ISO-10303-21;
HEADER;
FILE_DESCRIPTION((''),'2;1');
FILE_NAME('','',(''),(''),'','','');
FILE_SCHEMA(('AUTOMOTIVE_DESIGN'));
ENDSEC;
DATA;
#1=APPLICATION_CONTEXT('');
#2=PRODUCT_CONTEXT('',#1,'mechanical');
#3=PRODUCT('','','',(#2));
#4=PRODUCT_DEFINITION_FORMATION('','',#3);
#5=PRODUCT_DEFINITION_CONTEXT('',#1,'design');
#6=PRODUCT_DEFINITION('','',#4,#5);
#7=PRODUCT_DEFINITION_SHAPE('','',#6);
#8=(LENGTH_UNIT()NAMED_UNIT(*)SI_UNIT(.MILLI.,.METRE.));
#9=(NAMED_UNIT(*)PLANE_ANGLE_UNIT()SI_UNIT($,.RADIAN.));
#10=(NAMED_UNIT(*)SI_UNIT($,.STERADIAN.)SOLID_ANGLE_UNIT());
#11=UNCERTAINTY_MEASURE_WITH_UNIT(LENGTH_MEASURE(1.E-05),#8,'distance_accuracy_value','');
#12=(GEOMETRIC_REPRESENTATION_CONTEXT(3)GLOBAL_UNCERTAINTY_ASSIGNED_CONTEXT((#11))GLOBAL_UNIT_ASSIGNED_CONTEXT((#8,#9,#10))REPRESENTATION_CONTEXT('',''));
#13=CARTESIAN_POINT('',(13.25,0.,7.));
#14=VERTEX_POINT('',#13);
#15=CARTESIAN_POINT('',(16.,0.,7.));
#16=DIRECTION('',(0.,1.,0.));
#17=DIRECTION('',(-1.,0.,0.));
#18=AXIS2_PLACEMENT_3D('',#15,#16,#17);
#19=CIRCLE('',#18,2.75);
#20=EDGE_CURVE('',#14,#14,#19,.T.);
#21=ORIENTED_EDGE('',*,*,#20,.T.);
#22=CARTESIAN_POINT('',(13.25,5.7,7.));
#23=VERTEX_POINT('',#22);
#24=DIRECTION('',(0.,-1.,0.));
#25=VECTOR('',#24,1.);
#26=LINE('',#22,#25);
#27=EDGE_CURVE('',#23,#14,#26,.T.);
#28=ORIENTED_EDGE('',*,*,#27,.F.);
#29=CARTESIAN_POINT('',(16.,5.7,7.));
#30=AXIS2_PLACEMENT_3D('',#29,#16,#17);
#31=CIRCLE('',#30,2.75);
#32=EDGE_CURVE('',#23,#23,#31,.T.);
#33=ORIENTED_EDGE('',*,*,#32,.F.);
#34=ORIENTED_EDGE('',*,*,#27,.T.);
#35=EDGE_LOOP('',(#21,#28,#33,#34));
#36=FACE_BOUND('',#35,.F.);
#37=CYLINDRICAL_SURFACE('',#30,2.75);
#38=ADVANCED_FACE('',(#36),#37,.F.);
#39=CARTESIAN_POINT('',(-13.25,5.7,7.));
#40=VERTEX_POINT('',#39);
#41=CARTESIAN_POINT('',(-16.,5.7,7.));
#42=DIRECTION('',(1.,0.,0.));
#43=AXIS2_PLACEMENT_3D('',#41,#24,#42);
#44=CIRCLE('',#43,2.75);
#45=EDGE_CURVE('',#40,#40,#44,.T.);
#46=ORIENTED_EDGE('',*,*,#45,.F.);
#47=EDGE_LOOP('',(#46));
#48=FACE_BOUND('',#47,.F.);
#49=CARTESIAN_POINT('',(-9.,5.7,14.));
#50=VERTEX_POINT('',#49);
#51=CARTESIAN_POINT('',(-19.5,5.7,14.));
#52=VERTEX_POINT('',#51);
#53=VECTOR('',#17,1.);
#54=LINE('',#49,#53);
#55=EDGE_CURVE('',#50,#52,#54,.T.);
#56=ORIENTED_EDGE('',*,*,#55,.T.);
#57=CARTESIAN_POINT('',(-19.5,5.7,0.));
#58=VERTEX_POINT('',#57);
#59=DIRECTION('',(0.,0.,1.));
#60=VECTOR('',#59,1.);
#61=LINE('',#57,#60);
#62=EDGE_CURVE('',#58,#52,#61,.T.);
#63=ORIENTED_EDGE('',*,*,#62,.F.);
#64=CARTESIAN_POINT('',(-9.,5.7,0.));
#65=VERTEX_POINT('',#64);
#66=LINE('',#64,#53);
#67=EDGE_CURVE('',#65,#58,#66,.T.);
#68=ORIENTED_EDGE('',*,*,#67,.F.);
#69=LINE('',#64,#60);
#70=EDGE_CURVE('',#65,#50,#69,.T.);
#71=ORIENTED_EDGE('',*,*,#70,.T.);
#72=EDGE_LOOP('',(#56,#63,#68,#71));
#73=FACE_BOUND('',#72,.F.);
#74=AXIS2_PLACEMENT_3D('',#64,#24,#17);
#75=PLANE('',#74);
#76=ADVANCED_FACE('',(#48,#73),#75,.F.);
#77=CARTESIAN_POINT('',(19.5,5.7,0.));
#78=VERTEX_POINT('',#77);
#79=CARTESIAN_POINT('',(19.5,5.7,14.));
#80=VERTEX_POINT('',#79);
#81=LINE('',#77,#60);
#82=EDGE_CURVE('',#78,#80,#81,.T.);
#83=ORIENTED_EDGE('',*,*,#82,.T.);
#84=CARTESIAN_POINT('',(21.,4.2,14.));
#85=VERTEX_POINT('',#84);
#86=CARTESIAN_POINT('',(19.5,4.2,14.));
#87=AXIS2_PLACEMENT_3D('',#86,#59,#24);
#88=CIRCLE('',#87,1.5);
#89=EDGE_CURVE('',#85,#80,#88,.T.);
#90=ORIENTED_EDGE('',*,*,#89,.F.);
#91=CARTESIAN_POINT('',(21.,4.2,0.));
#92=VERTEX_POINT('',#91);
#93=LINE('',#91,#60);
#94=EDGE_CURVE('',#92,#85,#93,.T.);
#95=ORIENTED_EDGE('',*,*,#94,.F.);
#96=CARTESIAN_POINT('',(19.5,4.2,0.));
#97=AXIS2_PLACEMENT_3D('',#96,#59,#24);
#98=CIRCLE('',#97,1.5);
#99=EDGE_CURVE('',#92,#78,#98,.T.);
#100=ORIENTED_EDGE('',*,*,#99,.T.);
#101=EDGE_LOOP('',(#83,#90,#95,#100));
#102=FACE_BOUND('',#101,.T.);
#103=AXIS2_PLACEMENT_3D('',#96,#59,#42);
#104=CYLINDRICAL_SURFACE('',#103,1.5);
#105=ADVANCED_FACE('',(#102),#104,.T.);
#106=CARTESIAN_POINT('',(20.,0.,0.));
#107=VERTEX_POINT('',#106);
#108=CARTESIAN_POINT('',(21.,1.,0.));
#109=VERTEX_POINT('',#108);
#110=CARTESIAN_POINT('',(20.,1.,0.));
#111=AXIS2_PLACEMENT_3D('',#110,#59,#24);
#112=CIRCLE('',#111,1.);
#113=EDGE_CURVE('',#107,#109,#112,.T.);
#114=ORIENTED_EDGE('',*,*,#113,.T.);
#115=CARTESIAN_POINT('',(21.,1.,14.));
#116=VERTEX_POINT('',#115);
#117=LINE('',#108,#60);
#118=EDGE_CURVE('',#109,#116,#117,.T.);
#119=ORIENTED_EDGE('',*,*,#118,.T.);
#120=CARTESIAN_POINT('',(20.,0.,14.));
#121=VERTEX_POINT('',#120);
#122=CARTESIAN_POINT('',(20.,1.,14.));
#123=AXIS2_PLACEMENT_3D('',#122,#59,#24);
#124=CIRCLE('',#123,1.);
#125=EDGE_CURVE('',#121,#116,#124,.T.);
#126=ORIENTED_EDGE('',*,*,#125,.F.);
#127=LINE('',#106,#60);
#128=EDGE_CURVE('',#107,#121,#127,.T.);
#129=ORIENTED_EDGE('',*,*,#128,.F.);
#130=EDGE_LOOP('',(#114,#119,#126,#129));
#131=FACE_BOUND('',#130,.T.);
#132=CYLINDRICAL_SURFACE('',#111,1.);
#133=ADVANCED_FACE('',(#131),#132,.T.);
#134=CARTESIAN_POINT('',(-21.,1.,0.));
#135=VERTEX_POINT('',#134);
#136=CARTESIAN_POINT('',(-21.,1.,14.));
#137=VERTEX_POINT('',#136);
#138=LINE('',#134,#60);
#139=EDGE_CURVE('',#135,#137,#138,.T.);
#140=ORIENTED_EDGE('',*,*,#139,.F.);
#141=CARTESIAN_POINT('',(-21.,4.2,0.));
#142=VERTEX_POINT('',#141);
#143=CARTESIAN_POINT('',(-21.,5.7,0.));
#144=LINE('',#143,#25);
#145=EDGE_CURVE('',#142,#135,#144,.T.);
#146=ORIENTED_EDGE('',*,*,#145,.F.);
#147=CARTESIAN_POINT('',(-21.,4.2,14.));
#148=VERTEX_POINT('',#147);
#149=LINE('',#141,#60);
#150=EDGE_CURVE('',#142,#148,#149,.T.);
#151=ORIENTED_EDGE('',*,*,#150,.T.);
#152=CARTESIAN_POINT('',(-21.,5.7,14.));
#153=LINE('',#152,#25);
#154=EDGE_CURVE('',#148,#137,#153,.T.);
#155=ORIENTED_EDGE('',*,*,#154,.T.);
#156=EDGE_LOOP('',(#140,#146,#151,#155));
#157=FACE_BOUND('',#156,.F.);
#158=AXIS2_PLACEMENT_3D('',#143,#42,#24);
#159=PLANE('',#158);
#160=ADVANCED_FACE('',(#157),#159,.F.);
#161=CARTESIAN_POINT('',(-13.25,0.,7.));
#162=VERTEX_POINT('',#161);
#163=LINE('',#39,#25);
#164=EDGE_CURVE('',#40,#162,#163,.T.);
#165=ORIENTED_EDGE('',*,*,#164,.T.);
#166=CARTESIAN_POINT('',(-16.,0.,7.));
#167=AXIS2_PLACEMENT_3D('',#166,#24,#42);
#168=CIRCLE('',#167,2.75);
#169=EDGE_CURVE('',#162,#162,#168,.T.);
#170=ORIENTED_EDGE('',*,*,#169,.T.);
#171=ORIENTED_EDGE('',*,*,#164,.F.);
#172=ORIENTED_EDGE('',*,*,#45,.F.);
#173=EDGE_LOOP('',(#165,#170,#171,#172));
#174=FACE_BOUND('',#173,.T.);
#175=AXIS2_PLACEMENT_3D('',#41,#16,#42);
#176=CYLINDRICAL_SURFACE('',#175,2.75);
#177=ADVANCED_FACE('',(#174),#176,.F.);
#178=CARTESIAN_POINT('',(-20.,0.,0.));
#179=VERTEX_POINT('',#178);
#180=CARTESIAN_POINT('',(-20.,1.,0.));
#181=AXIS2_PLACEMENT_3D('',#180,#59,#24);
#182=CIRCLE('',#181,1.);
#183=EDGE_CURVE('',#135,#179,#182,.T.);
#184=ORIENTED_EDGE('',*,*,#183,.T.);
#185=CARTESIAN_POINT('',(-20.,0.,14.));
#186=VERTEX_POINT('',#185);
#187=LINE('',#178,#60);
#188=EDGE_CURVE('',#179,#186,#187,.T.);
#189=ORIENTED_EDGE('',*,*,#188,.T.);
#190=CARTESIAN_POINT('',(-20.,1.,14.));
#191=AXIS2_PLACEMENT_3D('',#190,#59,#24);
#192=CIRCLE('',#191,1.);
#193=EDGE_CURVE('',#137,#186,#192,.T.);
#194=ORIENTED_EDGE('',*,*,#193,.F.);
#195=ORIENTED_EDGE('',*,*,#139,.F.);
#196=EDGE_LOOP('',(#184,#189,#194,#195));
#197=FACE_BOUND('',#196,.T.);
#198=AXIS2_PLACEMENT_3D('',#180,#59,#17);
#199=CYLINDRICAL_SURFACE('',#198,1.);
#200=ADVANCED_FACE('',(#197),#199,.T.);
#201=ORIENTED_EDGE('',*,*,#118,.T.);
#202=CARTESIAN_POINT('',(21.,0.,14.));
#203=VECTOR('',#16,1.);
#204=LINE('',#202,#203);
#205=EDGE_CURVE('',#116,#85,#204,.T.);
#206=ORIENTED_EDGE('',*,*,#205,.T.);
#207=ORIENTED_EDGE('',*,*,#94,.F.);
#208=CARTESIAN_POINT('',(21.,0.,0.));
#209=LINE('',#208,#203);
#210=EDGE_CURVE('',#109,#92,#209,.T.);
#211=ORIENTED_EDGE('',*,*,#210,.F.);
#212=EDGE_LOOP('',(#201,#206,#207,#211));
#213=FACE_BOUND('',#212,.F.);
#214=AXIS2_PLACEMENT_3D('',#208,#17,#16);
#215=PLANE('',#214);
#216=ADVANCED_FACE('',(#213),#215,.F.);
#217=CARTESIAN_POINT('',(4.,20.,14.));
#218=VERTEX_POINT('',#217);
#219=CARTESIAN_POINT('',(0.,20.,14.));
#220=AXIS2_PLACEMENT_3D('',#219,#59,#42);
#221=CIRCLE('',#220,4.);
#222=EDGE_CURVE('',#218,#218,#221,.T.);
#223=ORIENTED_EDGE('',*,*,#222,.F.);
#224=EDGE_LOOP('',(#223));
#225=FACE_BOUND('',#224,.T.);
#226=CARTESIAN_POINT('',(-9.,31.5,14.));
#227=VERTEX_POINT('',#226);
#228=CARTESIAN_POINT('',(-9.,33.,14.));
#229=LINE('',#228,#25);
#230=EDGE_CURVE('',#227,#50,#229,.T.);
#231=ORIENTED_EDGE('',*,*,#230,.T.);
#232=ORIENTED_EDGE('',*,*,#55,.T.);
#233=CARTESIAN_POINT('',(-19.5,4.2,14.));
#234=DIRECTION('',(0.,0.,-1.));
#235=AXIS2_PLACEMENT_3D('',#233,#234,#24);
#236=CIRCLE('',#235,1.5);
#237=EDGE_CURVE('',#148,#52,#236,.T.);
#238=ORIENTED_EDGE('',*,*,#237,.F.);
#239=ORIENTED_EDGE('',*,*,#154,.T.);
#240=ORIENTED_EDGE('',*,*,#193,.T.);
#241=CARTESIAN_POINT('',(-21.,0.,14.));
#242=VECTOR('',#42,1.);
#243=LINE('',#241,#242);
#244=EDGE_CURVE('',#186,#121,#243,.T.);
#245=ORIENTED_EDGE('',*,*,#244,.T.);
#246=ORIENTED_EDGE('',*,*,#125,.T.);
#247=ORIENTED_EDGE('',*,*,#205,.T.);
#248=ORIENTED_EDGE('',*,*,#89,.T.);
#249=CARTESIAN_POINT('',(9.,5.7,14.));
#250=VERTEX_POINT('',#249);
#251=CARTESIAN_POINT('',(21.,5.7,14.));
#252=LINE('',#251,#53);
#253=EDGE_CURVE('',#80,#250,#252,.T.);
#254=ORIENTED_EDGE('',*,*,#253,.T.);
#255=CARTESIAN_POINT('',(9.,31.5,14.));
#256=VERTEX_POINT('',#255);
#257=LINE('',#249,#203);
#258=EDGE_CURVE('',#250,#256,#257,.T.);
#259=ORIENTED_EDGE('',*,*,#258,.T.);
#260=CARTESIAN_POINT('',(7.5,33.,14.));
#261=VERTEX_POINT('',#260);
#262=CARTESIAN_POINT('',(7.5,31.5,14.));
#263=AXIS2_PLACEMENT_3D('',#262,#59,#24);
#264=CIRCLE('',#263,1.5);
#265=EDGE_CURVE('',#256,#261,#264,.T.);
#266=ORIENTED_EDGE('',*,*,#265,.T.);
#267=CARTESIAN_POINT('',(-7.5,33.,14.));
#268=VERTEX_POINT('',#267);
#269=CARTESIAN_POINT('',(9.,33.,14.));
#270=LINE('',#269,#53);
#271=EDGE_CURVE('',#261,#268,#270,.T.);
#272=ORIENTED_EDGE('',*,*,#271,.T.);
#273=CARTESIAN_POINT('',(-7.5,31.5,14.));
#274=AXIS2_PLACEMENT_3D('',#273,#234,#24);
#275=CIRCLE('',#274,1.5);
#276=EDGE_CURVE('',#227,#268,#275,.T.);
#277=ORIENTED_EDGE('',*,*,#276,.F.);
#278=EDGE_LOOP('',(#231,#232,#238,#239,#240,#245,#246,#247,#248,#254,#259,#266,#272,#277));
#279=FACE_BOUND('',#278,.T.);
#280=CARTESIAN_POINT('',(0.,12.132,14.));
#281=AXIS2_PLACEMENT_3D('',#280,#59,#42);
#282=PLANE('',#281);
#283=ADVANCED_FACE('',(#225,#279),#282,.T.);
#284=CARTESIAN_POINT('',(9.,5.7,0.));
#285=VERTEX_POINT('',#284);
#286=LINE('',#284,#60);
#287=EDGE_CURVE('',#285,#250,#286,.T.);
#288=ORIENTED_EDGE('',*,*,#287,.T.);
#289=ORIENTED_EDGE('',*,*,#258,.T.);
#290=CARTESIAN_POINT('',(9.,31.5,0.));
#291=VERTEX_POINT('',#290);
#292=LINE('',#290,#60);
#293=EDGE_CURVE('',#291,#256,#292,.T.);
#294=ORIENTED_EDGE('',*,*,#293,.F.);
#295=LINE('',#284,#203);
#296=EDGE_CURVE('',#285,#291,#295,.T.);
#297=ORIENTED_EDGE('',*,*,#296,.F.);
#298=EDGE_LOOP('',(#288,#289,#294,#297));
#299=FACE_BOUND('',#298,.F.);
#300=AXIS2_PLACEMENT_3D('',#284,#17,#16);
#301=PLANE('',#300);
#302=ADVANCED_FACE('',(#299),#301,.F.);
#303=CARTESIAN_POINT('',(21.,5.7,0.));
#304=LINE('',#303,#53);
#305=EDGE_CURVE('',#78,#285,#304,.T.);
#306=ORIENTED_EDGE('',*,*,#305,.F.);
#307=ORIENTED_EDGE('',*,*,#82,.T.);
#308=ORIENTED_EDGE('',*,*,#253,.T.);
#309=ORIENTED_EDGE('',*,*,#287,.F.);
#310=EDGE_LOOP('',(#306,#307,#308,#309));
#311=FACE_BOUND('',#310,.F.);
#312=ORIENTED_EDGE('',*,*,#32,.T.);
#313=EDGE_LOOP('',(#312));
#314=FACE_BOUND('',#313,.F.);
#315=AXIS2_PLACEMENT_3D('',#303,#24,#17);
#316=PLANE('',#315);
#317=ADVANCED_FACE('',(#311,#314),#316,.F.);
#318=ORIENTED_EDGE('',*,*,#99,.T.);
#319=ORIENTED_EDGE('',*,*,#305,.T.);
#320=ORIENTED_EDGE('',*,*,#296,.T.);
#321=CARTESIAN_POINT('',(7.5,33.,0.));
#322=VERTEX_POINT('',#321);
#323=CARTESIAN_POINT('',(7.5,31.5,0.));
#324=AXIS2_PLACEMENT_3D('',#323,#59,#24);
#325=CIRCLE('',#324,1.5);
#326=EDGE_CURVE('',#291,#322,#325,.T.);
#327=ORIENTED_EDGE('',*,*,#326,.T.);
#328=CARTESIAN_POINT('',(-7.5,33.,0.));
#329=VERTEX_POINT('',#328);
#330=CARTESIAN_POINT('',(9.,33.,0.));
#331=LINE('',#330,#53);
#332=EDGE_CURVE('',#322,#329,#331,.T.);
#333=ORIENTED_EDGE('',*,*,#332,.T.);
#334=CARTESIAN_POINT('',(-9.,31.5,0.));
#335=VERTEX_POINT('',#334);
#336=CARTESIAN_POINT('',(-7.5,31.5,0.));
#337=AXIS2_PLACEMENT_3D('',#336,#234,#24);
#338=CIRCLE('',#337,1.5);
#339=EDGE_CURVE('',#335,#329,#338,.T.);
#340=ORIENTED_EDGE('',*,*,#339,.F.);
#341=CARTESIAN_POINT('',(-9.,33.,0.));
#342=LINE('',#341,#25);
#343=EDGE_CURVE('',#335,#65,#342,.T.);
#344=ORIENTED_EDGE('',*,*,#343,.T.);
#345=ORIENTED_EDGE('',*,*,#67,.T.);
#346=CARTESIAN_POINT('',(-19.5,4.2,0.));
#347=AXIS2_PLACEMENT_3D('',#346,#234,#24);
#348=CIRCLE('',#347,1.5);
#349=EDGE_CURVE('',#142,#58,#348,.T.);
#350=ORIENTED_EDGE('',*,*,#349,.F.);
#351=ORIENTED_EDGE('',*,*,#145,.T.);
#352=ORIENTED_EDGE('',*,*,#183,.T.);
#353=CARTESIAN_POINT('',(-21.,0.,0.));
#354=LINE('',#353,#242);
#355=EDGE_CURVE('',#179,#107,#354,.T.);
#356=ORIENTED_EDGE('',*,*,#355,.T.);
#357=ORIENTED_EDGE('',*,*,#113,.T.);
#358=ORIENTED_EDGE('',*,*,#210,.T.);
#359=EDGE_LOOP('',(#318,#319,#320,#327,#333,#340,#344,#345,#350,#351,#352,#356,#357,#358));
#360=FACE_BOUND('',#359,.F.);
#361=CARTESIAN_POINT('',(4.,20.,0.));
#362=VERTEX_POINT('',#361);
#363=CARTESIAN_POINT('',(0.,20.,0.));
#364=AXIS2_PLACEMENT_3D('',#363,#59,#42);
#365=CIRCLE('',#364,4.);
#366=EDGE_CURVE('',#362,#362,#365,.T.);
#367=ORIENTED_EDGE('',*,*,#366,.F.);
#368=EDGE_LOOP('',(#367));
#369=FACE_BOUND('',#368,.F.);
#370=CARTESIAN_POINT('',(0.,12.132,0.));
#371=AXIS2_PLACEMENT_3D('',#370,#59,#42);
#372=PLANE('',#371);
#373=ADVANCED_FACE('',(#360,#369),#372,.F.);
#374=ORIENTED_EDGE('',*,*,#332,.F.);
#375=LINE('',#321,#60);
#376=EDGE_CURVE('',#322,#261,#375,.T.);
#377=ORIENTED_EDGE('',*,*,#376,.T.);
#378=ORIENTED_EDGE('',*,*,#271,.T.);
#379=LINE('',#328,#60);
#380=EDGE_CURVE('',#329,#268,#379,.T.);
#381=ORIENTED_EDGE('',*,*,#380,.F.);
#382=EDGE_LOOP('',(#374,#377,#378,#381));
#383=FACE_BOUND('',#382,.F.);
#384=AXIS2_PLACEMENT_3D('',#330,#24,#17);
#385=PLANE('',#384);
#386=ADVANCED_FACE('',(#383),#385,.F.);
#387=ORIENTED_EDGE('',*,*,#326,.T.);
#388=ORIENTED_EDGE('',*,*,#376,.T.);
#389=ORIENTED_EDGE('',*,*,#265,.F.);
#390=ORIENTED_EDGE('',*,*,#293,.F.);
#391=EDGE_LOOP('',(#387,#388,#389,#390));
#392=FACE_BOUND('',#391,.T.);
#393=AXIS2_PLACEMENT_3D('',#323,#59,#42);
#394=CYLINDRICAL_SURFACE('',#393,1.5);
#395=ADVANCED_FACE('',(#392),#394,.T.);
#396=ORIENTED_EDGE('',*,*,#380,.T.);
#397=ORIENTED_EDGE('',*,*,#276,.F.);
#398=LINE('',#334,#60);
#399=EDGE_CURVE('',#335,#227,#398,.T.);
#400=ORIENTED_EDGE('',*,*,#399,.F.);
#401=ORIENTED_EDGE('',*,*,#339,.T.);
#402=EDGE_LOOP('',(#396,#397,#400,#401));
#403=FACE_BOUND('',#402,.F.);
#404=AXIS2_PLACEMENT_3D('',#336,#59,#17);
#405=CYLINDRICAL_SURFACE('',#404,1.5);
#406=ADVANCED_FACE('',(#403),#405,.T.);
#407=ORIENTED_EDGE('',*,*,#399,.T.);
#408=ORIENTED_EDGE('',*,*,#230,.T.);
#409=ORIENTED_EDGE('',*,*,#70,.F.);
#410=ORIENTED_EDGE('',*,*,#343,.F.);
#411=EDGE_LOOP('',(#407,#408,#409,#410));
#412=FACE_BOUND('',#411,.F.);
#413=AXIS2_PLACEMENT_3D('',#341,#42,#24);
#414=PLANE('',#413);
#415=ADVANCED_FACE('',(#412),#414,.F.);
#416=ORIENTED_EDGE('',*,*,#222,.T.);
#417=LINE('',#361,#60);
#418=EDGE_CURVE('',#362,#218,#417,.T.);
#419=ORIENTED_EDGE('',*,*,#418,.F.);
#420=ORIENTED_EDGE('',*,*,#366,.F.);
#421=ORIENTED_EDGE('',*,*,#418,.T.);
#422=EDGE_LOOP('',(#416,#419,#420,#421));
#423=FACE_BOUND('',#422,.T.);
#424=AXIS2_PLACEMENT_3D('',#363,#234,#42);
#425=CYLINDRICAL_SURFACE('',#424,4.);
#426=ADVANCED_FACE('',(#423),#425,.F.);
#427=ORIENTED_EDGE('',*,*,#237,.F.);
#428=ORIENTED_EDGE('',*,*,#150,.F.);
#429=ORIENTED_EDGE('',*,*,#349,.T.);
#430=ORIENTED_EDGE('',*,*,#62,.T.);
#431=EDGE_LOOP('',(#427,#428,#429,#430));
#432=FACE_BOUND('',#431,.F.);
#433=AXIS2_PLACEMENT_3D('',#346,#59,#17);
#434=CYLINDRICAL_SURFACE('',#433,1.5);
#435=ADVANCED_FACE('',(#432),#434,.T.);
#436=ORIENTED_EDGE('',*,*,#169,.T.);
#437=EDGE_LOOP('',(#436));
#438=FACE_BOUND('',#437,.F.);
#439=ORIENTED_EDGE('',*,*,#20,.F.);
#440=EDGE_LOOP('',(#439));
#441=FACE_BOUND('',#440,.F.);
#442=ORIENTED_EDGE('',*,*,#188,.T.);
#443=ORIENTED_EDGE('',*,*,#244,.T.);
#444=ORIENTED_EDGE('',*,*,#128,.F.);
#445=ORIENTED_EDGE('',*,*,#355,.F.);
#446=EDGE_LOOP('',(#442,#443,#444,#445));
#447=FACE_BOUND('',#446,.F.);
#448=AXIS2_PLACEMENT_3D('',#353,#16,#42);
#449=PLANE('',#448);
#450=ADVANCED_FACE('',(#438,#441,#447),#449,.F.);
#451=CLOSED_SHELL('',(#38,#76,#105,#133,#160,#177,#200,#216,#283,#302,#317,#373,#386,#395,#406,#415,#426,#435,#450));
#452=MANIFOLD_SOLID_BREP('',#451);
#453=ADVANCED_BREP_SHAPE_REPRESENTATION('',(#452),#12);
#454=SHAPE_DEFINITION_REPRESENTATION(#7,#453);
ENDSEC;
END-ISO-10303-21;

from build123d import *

# Parameters (mm, degrees)
SKETCH_R     = 4
PAD_DEPTH    = 14
SKETCH001_R  = 2.75
POCKET_DEPTH = 5.7
FILLET_R     = 1.5
FILLET001_R  = 1


with BuildPart() as part:
    # Sketch → Pad (new body)
    with BuildSketch(Plane.XY):
        Polygon((-21, 0), (21, 0), (21, 5.7), (9, 5.7), (9, 33), (-9, 33), (-9, 5.7), (-21, 5.7), align=None)
        with Locations((0, 20)):
            Circle(SKETCH_R, mode=Mode.SUBTRACT)
    extrude(amount=PAD_DEPTH)

    # Sketch001 (on Face3 of Pad) → Pocket (cut)
    with BuildSketch(Plane(origin=(0, 5.7, 0), x_dir=(-1, 0, 0), z_dir=(0, 1, 0))):
        with Locations((-16, 7)):
            Circle(SKETCH001_R)
    pocket = extrude(amount=-POCKET_DEPTH, mode=Mode.SUBTRACT)

    # Mirrored: Pocket across Sketch001 V_Axis
    add(pocket.mirror(Plane(origin=(0, 5.7, 0), x_dir=(0, 1, 0), z_dir=(-1, 0, 0))), mode=Mode.SUBTRACT)

    # Fillet
    fillet_edges = [part.edges().sort_by_distance(p)[0] for p in [
        (21, 5.7, 7),
        (-21, 5.7, 7),
        (-9, 33, 7),
        (9, 33, 7),
    ]]
    fillet(fillet_edges, radius=FILLET_R)

    # Fillet001
    fillet001_edges = [part.edges().sort_by_distance(p)[0] for p in [
        (21, 0, 7),
        (-21, 0, 7),
    ]]
    fillet(fillet001_edges, radius=FILLET001_R)


solid = part.part
